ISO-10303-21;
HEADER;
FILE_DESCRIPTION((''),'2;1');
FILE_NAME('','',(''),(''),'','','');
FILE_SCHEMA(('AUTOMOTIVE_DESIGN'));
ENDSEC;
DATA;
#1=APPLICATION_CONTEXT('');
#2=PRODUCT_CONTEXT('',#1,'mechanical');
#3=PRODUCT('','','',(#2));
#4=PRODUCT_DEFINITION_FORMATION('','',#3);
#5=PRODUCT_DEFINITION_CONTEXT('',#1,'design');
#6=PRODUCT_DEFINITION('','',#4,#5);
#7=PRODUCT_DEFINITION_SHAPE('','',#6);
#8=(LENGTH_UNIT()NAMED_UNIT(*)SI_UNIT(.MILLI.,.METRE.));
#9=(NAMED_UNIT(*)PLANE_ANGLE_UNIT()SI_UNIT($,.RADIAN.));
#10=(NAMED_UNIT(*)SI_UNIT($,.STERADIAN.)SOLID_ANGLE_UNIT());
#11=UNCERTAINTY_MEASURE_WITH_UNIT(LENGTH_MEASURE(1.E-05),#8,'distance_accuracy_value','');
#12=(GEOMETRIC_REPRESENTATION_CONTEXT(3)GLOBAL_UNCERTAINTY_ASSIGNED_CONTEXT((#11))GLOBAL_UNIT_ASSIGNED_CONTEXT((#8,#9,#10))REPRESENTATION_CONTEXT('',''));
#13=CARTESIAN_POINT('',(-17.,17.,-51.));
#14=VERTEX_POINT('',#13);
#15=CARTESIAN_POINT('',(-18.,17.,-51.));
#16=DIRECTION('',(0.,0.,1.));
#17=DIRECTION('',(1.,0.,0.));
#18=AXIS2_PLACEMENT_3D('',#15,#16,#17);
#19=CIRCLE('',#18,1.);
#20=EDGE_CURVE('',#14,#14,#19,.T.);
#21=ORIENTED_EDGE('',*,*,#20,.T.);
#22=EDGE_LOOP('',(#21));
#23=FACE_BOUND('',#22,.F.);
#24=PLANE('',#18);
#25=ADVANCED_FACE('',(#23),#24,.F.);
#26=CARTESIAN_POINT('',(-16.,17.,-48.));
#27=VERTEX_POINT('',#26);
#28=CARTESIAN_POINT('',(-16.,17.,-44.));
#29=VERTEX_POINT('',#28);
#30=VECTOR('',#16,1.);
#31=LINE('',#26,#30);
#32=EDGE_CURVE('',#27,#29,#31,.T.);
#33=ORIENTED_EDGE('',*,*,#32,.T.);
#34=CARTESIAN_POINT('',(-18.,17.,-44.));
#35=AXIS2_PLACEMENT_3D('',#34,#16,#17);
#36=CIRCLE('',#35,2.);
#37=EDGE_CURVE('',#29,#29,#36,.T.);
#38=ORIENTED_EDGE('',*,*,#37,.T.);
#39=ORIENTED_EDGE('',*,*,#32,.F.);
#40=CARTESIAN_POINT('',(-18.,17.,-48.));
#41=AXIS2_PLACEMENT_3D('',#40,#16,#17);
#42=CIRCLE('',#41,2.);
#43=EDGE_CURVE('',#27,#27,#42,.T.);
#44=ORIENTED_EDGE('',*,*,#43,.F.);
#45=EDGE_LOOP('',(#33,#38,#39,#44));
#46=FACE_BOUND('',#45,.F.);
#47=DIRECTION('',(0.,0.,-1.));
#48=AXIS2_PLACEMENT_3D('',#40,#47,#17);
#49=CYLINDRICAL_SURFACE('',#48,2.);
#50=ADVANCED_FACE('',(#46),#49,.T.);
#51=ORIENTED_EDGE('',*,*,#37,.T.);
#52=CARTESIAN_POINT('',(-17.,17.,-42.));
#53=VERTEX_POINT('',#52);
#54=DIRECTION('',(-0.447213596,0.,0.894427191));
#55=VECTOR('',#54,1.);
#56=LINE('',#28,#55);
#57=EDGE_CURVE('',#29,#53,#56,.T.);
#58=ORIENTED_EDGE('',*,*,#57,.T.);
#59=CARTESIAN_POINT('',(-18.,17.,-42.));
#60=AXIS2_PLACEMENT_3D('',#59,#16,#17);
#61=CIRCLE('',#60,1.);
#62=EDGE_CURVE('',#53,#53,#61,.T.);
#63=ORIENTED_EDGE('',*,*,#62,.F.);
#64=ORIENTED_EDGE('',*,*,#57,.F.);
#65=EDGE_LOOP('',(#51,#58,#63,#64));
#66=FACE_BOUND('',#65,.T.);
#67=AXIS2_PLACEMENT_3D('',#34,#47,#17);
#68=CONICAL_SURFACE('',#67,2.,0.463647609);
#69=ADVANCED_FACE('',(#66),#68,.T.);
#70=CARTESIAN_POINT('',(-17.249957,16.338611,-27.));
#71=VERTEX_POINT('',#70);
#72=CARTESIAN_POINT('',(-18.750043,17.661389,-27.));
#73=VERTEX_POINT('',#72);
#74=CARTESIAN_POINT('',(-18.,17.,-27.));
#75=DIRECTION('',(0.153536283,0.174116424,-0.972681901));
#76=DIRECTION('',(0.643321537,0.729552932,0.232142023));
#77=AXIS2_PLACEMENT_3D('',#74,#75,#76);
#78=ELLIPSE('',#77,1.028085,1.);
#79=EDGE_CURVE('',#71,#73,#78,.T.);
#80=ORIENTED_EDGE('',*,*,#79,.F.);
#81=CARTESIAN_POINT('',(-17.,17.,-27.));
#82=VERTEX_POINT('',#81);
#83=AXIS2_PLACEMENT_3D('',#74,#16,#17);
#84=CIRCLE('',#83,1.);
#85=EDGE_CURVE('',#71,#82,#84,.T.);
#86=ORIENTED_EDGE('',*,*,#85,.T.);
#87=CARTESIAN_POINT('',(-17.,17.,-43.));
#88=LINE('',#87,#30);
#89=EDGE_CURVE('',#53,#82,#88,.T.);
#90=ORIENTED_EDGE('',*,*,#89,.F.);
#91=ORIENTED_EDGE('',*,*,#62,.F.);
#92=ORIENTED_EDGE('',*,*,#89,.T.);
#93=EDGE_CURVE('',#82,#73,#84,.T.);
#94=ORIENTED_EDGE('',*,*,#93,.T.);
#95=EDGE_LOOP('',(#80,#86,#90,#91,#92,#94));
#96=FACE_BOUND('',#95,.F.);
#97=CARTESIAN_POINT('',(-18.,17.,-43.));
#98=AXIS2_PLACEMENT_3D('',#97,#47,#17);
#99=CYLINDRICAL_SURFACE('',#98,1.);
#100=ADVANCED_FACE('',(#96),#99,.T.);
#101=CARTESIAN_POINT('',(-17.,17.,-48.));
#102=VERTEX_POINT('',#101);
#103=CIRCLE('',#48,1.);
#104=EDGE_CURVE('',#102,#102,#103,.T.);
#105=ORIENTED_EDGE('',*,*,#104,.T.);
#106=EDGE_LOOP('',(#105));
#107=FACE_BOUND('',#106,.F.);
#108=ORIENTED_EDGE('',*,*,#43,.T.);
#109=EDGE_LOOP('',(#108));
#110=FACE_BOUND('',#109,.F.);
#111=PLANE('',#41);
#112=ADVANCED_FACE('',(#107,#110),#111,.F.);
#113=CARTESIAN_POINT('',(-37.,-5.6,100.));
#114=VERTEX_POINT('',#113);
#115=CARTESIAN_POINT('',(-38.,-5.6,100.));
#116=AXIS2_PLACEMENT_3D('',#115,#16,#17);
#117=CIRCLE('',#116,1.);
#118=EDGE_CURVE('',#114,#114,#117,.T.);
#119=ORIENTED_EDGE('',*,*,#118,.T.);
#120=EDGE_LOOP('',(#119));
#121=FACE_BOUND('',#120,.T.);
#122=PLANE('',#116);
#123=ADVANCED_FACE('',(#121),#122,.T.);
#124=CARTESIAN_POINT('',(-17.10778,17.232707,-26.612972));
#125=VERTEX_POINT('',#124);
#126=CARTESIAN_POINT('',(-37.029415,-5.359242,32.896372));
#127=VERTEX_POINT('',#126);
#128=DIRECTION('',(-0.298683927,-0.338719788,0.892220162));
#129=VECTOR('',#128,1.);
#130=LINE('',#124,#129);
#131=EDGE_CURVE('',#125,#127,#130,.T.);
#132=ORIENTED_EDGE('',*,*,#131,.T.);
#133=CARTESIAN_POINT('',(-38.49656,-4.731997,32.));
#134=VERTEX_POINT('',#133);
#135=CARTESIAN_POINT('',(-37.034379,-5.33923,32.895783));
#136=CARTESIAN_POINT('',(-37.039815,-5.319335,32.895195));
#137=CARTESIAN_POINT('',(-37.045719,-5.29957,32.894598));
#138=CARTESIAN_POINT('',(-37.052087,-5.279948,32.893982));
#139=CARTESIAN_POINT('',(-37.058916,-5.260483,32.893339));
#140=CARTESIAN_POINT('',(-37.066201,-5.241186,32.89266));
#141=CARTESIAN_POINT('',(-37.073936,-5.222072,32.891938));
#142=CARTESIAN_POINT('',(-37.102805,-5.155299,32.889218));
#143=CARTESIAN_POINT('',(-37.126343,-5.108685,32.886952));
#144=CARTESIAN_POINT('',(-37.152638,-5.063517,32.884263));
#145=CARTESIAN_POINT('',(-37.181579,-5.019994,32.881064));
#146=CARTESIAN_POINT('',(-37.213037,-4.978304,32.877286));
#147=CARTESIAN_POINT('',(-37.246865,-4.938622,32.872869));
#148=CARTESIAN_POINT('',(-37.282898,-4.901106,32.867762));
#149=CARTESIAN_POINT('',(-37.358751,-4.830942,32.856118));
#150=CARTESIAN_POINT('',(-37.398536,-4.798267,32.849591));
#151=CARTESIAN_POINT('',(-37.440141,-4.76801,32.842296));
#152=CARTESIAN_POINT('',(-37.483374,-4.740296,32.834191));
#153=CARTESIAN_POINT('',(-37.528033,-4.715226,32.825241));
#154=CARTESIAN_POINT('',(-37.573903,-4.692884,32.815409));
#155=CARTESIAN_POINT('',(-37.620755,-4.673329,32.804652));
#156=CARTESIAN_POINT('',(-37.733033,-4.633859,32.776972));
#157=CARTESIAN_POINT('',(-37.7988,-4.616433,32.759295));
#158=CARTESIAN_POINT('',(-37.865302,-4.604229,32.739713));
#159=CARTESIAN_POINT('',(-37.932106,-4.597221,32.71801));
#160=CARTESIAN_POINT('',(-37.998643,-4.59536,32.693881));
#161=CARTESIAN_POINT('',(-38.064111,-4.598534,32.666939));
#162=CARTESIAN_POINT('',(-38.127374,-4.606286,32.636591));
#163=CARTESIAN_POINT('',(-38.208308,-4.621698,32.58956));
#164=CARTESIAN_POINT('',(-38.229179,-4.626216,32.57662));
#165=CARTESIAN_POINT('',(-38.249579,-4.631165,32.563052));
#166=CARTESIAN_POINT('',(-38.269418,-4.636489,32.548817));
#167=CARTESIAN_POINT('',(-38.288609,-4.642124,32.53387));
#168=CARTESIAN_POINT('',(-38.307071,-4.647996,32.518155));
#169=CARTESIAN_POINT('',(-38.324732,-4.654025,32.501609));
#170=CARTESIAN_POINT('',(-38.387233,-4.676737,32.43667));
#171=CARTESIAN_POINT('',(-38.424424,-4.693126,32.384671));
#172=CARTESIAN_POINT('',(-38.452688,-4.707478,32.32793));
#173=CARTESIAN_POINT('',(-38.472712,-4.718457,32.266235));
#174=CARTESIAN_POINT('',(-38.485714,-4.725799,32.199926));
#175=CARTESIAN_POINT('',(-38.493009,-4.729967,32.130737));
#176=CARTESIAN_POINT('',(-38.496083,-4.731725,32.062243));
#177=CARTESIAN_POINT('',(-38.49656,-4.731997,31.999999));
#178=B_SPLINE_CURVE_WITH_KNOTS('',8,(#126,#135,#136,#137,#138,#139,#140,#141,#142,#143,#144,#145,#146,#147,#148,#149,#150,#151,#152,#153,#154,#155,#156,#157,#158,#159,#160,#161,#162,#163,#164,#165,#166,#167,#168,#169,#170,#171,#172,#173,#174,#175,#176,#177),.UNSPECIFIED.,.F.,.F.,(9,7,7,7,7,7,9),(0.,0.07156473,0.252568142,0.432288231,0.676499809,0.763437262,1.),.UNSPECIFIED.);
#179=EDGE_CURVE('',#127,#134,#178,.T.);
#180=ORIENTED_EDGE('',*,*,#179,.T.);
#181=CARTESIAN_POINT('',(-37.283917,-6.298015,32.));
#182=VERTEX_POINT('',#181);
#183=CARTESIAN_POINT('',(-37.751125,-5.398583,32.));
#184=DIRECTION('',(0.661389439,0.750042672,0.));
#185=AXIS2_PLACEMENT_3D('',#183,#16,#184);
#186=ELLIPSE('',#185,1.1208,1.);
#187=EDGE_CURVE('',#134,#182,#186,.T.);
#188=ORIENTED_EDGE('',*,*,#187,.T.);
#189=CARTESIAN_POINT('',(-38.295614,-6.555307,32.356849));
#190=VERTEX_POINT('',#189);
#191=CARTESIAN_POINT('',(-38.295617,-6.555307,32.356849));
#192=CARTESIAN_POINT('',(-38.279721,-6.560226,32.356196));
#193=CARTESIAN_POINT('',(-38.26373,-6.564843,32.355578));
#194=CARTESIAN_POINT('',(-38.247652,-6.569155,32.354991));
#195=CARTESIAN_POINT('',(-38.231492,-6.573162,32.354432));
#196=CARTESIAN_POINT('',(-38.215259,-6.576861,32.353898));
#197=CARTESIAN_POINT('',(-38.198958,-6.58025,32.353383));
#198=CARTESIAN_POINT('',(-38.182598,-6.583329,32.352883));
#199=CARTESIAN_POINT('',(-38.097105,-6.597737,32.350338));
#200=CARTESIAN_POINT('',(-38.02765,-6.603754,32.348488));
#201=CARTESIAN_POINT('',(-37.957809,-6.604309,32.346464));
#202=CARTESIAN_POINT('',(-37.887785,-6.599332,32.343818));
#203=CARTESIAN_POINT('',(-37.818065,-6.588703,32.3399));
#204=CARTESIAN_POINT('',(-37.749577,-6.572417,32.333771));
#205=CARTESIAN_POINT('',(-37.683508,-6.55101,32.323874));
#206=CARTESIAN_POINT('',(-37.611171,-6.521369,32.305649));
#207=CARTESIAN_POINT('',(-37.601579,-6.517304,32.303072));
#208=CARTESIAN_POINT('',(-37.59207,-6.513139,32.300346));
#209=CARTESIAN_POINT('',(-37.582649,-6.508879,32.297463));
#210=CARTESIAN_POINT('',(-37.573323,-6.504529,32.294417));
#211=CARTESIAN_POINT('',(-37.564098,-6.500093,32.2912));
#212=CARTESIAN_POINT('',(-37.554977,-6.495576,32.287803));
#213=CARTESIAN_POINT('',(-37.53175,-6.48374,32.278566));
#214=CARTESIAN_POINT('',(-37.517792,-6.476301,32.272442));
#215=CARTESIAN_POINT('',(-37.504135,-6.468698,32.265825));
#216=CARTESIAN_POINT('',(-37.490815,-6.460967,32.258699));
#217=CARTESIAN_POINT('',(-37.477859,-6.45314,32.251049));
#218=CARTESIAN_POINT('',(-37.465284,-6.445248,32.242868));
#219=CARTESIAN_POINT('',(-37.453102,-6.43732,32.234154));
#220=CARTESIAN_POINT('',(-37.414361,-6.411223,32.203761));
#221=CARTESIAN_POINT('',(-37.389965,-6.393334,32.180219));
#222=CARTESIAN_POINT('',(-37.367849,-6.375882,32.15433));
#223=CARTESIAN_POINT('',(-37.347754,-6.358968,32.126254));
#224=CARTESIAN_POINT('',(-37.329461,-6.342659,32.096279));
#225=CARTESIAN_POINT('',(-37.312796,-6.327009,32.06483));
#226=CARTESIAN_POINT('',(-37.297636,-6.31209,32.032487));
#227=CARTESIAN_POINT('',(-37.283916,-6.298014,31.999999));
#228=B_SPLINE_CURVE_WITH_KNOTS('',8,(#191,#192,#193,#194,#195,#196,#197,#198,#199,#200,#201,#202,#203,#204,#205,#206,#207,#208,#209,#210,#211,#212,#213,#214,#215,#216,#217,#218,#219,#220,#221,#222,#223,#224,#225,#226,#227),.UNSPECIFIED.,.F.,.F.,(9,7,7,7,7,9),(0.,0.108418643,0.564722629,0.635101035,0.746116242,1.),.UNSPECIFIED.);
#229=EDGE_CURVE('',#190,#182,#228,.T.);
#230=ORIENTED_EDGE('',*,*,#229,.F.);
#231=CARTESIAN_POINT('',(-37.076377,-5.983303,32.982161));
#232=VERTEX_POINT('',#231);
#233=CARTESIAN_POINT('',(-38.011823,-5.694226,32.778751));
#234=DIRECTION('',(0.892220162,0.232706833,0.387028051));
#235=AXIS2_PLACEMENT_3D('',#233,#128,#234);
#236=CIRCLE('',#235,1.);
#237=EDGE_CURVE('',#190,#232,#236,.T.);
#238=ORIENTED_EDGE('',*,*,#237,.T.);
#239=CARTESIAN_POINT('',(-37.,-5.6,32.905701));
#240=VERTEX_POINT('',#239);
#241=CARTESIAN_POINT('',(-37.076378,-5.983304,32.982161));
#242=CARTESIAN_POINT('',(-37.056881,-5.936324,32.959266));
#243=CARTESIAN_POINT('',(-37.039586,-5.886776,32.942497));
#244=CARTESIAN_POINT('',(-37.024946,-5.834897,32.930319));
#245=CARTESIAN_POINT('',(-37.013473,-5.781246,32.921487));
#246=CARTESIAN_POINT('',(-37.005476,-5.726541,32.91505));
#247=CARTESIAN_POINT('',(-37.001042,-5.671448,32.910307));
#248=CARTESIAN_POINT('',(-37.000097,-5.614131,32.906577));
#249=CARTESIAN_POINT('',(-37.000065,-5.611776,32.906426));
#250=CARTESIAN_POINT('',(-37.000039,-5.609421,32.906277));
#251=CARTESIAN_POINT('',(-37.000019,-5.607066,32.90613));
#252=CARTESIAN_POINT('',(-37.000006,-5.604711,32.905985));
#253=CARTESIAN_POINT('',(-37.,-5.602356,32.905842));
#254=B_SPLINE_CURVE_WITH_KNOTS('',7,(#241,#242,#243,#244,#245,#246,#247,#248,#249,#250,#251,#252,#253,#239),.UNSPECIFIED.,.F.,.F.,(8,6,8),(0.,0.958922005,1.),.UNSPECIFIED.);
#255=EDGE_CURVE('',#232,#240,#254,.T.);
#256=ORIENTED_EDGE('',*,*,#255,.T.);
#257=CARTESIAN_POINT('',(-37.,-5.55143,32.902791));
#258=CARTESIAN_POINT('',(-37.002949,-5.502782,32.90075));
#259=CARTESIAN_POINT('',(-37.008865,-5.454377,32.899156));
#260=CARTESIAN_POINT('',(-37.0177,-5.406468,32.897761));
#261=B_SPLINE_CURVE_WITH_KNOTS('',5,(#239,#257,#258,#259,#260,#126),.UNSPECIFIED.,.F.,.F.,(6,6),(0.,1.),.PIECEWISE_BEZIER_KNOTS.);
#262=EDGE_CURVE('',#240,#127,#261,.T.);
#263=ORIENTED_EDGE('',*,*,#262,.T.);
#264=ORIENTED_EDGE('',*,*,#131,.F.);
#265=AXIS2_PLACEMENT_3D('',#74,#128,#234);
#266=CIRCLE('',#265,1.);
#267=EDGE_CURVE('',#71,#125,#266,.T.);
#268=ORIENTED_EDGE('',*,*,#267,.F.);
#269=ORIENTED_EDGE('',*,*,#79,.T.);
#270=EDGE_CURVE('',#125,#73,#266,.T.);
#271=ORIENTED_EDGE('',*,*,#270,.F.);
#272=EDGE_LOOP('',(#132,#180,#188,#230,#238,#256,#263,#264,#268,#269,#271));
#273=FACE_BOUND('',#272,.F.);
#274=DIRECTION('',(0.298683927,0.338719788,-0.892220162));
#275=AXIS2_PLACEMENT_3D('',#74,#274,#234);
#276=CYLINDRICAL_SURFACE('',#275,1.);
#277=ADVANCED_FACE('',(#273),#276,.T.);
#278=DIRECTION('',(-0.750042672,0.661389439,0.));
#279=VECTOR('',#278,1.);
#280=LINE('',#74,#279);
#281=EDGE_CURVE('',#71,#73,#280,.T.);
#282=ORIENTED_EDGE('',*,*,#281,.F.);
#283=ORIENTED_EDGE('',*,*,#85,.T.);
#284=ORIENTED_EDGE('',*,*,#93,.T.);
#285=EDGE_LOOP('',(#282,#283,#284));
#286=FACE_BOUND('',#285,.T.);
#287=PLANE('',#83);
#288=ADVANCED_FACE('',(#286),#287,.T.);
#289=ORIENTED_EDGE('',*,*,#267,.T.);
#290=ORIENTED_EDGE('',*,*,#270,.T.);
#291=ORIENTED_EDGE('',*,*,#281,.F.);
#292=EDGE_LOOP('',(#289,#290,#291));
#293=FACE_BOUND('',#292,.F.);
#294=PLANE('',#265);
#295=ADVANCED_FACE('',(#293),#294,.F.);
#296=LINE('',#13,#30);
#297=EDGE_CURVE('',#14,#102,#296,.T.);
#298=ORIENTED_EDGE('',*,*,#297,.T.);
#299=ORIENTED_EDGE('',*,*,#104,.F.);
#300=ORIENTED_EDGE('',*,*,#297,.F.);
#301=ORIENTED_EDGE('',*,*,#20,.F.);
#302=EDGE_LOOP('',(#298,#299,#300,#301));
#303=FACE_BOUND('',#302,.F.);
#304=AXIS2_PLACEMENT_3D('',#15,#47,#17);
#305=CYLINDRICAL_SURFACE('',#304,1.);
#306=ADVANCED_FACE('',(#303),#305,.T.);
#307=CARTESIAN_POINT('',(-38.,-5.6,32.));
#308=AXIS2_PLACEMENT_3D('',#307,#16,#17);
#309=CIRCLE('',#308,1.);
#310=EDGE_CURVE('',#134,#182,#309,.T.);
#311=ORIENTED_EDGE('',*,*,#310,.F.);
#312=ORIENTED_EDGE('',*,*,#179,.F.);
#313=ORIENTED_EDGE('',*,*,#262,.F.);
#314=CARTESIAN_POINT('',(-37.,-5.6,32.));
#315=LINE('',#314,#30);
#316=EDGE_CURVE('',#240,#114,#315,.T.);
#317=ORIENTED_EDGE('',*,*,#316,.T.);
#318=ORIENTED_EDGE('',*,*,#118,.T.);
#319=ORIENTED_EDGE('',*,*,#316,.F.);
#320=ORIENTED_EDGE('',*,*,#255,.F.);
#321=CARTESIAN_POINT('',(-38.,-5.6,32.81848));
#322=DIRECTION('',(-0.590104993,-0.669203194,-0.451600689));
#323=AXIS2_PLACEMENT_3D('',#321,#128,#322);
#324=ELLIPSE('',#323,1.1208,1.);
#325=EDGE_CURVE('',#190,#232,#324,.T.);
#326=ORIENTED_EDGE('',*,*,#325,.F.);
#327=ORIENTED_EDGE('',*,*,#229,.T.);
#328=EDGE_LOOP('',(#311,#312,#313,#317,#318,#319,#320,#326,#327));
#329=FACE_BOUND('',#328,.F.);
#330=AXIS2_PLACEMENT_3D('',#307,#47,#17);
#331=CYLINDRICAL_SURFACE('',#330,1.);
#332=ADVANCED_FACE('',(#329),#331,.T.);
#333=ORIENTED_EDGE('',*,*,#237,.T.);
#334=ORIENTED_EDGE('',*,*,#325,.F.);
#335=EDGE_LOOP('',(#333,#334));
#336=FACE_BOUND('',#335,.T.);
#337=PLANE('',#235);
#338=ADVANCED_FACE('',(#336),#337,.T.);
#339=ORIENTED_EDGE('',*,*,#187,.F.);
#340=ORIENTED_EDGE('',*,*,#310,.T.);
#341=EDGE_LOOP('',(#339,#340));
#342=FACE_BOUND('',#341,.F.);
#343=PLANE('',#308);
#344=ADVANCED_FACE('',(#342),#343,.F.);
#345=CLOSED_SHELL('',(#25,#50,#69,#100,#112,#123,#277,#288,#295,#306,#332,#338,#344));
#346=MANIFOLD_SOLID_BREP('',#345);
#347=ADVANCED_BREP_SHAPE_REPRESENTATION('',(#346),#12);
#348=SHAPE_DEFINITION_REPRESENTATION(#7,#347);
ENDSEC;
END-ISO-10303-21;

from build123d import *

# Parameters (mm, degrees)
CYLINDER071_R               = 1
CYLINDER071_DEPTH           = 16
CYLINDER062_R               = 2
CYLINDER062_DEPTH           = 4
CYLINDER064_R               = 1
CYLINDER064_DEPTH           = 8
CYLINDER069_R               = 1
CYLINDER069_DEPTH           = 67
CYLINDER069_ROLL_ANGLE      = 14.618093
CYLINDER069_PITCH_ANGLE     = -22.769702
CYLINDER069_PLACEMENT_ANGLE = 14.618093
CYLINDER070_R               = 1
CYLINDER070_DEPTH           = 68


with BuildPart() as cylindre067:
    # Cylinder071 → Cylinder071 (new body)
    with BuildSketch(Plane(origin=(-18, 17, -43), x_dir=(1, 0, 0), z_dir=(0, 0, 1))):
        Circle(CYLINDER071_R)
    extrude(amount=CYLINDER071_DEPTH)


with BuildPart() as c_ne002:
    # Cone002 → Cone002 (revolve)
    with BuildSketch(Plane(origin=(-32, 9, -106), x_dir=(1, 0, 0), z_dir=(0, -1, 0))):
        Polygon((0, 0), (2, 0), (1, 2), (0, 2), align=None)
    revolve(axis=Axis((-32, 9, -106), (0, 0, 1)))


with BuildPart() as fusion035:
    # Cylinder062 → Cylinder062 (new body)
    with BuildSketch(Plane(origin=(-32, 9, -110), x_dir=(1, 0, 0), z_dir=(0, 0, 1))):
        Circle(CYLINDER062_R)
    extrude(amount=CYLINDER062_DEPTH)

    # Fusion029: union Cône002
    add(c_ne002.part)


with BuildPart() as fusion035_1:
    # Fusion029 placement: moved
    add(fusion035.part.moved(Location((14, 8, 62))))

    # Fusion035: union Cylindre067
    add(cylindre067.part)


with BuildPart() as fusion036:
    # Cylinder064 → Cylinder064 (new body)
    with BuildSketch(Plane(origin=(-18, 17, -51), x_dir=(1, 0, 0), z_dir=(0, 0, 1))):
        Circle(CYLINDER064_R)
    extrude(amount=CYLINDER064_DEPTH)

    # Fusion036: union Fusion035
    add(fusion035_1.part)


with BuildPart() as fusion037:
    # Cylinder069 → Cylinder069 (new body)
    with BuildSketch(Plane.XY):
        Circle(CYLINDER069_R)
    extrude(amount=CYLINDER069_DEPTH)


with BuildPart() as fusion037_1:
    # Cylinder069 roll: moved
    add(fusion037.part.rotate(Axis((0, 0, 0), (1, 0, 0)), CYLINDER069_ROLL_ANGLE))


with BuildPart() as fusion037_2:
    # Cylinder069 pitch: moved
    add(fusion037_1.part.rotate(Axis((0, 0, 0), (0, 1, 0)), CYLINDER069_PITCH_ANGLE))


with BuildPart() as fusion037_3:
    # Cylinder069 placement: moved
    add(fusion037_2.part.moved(Location((-18, 17, -27))).rotate(Axis((-18, 17, -27), (0, 0, 1)), CYLINDER069_PLACEMENT_ANGLE))

    # Fusion037: union Fusion036
    add(fusion036.part)


with BuildPart() as fusion038:
    # Cylinder070 → Cylinder070 (new body)
    with BuildSketch(Plane(origin=(-38, -5.6, 32), x_dir=(1, 0, 0), z_dir=(0, 0, 1))):
        Circle(CYLINDER070_R)
    extrude(amount=CYLINDER070_DEPTH)

    # Fusion038: union Fusion037
    add(fusion037_3.part)


solid = fusion038.part
